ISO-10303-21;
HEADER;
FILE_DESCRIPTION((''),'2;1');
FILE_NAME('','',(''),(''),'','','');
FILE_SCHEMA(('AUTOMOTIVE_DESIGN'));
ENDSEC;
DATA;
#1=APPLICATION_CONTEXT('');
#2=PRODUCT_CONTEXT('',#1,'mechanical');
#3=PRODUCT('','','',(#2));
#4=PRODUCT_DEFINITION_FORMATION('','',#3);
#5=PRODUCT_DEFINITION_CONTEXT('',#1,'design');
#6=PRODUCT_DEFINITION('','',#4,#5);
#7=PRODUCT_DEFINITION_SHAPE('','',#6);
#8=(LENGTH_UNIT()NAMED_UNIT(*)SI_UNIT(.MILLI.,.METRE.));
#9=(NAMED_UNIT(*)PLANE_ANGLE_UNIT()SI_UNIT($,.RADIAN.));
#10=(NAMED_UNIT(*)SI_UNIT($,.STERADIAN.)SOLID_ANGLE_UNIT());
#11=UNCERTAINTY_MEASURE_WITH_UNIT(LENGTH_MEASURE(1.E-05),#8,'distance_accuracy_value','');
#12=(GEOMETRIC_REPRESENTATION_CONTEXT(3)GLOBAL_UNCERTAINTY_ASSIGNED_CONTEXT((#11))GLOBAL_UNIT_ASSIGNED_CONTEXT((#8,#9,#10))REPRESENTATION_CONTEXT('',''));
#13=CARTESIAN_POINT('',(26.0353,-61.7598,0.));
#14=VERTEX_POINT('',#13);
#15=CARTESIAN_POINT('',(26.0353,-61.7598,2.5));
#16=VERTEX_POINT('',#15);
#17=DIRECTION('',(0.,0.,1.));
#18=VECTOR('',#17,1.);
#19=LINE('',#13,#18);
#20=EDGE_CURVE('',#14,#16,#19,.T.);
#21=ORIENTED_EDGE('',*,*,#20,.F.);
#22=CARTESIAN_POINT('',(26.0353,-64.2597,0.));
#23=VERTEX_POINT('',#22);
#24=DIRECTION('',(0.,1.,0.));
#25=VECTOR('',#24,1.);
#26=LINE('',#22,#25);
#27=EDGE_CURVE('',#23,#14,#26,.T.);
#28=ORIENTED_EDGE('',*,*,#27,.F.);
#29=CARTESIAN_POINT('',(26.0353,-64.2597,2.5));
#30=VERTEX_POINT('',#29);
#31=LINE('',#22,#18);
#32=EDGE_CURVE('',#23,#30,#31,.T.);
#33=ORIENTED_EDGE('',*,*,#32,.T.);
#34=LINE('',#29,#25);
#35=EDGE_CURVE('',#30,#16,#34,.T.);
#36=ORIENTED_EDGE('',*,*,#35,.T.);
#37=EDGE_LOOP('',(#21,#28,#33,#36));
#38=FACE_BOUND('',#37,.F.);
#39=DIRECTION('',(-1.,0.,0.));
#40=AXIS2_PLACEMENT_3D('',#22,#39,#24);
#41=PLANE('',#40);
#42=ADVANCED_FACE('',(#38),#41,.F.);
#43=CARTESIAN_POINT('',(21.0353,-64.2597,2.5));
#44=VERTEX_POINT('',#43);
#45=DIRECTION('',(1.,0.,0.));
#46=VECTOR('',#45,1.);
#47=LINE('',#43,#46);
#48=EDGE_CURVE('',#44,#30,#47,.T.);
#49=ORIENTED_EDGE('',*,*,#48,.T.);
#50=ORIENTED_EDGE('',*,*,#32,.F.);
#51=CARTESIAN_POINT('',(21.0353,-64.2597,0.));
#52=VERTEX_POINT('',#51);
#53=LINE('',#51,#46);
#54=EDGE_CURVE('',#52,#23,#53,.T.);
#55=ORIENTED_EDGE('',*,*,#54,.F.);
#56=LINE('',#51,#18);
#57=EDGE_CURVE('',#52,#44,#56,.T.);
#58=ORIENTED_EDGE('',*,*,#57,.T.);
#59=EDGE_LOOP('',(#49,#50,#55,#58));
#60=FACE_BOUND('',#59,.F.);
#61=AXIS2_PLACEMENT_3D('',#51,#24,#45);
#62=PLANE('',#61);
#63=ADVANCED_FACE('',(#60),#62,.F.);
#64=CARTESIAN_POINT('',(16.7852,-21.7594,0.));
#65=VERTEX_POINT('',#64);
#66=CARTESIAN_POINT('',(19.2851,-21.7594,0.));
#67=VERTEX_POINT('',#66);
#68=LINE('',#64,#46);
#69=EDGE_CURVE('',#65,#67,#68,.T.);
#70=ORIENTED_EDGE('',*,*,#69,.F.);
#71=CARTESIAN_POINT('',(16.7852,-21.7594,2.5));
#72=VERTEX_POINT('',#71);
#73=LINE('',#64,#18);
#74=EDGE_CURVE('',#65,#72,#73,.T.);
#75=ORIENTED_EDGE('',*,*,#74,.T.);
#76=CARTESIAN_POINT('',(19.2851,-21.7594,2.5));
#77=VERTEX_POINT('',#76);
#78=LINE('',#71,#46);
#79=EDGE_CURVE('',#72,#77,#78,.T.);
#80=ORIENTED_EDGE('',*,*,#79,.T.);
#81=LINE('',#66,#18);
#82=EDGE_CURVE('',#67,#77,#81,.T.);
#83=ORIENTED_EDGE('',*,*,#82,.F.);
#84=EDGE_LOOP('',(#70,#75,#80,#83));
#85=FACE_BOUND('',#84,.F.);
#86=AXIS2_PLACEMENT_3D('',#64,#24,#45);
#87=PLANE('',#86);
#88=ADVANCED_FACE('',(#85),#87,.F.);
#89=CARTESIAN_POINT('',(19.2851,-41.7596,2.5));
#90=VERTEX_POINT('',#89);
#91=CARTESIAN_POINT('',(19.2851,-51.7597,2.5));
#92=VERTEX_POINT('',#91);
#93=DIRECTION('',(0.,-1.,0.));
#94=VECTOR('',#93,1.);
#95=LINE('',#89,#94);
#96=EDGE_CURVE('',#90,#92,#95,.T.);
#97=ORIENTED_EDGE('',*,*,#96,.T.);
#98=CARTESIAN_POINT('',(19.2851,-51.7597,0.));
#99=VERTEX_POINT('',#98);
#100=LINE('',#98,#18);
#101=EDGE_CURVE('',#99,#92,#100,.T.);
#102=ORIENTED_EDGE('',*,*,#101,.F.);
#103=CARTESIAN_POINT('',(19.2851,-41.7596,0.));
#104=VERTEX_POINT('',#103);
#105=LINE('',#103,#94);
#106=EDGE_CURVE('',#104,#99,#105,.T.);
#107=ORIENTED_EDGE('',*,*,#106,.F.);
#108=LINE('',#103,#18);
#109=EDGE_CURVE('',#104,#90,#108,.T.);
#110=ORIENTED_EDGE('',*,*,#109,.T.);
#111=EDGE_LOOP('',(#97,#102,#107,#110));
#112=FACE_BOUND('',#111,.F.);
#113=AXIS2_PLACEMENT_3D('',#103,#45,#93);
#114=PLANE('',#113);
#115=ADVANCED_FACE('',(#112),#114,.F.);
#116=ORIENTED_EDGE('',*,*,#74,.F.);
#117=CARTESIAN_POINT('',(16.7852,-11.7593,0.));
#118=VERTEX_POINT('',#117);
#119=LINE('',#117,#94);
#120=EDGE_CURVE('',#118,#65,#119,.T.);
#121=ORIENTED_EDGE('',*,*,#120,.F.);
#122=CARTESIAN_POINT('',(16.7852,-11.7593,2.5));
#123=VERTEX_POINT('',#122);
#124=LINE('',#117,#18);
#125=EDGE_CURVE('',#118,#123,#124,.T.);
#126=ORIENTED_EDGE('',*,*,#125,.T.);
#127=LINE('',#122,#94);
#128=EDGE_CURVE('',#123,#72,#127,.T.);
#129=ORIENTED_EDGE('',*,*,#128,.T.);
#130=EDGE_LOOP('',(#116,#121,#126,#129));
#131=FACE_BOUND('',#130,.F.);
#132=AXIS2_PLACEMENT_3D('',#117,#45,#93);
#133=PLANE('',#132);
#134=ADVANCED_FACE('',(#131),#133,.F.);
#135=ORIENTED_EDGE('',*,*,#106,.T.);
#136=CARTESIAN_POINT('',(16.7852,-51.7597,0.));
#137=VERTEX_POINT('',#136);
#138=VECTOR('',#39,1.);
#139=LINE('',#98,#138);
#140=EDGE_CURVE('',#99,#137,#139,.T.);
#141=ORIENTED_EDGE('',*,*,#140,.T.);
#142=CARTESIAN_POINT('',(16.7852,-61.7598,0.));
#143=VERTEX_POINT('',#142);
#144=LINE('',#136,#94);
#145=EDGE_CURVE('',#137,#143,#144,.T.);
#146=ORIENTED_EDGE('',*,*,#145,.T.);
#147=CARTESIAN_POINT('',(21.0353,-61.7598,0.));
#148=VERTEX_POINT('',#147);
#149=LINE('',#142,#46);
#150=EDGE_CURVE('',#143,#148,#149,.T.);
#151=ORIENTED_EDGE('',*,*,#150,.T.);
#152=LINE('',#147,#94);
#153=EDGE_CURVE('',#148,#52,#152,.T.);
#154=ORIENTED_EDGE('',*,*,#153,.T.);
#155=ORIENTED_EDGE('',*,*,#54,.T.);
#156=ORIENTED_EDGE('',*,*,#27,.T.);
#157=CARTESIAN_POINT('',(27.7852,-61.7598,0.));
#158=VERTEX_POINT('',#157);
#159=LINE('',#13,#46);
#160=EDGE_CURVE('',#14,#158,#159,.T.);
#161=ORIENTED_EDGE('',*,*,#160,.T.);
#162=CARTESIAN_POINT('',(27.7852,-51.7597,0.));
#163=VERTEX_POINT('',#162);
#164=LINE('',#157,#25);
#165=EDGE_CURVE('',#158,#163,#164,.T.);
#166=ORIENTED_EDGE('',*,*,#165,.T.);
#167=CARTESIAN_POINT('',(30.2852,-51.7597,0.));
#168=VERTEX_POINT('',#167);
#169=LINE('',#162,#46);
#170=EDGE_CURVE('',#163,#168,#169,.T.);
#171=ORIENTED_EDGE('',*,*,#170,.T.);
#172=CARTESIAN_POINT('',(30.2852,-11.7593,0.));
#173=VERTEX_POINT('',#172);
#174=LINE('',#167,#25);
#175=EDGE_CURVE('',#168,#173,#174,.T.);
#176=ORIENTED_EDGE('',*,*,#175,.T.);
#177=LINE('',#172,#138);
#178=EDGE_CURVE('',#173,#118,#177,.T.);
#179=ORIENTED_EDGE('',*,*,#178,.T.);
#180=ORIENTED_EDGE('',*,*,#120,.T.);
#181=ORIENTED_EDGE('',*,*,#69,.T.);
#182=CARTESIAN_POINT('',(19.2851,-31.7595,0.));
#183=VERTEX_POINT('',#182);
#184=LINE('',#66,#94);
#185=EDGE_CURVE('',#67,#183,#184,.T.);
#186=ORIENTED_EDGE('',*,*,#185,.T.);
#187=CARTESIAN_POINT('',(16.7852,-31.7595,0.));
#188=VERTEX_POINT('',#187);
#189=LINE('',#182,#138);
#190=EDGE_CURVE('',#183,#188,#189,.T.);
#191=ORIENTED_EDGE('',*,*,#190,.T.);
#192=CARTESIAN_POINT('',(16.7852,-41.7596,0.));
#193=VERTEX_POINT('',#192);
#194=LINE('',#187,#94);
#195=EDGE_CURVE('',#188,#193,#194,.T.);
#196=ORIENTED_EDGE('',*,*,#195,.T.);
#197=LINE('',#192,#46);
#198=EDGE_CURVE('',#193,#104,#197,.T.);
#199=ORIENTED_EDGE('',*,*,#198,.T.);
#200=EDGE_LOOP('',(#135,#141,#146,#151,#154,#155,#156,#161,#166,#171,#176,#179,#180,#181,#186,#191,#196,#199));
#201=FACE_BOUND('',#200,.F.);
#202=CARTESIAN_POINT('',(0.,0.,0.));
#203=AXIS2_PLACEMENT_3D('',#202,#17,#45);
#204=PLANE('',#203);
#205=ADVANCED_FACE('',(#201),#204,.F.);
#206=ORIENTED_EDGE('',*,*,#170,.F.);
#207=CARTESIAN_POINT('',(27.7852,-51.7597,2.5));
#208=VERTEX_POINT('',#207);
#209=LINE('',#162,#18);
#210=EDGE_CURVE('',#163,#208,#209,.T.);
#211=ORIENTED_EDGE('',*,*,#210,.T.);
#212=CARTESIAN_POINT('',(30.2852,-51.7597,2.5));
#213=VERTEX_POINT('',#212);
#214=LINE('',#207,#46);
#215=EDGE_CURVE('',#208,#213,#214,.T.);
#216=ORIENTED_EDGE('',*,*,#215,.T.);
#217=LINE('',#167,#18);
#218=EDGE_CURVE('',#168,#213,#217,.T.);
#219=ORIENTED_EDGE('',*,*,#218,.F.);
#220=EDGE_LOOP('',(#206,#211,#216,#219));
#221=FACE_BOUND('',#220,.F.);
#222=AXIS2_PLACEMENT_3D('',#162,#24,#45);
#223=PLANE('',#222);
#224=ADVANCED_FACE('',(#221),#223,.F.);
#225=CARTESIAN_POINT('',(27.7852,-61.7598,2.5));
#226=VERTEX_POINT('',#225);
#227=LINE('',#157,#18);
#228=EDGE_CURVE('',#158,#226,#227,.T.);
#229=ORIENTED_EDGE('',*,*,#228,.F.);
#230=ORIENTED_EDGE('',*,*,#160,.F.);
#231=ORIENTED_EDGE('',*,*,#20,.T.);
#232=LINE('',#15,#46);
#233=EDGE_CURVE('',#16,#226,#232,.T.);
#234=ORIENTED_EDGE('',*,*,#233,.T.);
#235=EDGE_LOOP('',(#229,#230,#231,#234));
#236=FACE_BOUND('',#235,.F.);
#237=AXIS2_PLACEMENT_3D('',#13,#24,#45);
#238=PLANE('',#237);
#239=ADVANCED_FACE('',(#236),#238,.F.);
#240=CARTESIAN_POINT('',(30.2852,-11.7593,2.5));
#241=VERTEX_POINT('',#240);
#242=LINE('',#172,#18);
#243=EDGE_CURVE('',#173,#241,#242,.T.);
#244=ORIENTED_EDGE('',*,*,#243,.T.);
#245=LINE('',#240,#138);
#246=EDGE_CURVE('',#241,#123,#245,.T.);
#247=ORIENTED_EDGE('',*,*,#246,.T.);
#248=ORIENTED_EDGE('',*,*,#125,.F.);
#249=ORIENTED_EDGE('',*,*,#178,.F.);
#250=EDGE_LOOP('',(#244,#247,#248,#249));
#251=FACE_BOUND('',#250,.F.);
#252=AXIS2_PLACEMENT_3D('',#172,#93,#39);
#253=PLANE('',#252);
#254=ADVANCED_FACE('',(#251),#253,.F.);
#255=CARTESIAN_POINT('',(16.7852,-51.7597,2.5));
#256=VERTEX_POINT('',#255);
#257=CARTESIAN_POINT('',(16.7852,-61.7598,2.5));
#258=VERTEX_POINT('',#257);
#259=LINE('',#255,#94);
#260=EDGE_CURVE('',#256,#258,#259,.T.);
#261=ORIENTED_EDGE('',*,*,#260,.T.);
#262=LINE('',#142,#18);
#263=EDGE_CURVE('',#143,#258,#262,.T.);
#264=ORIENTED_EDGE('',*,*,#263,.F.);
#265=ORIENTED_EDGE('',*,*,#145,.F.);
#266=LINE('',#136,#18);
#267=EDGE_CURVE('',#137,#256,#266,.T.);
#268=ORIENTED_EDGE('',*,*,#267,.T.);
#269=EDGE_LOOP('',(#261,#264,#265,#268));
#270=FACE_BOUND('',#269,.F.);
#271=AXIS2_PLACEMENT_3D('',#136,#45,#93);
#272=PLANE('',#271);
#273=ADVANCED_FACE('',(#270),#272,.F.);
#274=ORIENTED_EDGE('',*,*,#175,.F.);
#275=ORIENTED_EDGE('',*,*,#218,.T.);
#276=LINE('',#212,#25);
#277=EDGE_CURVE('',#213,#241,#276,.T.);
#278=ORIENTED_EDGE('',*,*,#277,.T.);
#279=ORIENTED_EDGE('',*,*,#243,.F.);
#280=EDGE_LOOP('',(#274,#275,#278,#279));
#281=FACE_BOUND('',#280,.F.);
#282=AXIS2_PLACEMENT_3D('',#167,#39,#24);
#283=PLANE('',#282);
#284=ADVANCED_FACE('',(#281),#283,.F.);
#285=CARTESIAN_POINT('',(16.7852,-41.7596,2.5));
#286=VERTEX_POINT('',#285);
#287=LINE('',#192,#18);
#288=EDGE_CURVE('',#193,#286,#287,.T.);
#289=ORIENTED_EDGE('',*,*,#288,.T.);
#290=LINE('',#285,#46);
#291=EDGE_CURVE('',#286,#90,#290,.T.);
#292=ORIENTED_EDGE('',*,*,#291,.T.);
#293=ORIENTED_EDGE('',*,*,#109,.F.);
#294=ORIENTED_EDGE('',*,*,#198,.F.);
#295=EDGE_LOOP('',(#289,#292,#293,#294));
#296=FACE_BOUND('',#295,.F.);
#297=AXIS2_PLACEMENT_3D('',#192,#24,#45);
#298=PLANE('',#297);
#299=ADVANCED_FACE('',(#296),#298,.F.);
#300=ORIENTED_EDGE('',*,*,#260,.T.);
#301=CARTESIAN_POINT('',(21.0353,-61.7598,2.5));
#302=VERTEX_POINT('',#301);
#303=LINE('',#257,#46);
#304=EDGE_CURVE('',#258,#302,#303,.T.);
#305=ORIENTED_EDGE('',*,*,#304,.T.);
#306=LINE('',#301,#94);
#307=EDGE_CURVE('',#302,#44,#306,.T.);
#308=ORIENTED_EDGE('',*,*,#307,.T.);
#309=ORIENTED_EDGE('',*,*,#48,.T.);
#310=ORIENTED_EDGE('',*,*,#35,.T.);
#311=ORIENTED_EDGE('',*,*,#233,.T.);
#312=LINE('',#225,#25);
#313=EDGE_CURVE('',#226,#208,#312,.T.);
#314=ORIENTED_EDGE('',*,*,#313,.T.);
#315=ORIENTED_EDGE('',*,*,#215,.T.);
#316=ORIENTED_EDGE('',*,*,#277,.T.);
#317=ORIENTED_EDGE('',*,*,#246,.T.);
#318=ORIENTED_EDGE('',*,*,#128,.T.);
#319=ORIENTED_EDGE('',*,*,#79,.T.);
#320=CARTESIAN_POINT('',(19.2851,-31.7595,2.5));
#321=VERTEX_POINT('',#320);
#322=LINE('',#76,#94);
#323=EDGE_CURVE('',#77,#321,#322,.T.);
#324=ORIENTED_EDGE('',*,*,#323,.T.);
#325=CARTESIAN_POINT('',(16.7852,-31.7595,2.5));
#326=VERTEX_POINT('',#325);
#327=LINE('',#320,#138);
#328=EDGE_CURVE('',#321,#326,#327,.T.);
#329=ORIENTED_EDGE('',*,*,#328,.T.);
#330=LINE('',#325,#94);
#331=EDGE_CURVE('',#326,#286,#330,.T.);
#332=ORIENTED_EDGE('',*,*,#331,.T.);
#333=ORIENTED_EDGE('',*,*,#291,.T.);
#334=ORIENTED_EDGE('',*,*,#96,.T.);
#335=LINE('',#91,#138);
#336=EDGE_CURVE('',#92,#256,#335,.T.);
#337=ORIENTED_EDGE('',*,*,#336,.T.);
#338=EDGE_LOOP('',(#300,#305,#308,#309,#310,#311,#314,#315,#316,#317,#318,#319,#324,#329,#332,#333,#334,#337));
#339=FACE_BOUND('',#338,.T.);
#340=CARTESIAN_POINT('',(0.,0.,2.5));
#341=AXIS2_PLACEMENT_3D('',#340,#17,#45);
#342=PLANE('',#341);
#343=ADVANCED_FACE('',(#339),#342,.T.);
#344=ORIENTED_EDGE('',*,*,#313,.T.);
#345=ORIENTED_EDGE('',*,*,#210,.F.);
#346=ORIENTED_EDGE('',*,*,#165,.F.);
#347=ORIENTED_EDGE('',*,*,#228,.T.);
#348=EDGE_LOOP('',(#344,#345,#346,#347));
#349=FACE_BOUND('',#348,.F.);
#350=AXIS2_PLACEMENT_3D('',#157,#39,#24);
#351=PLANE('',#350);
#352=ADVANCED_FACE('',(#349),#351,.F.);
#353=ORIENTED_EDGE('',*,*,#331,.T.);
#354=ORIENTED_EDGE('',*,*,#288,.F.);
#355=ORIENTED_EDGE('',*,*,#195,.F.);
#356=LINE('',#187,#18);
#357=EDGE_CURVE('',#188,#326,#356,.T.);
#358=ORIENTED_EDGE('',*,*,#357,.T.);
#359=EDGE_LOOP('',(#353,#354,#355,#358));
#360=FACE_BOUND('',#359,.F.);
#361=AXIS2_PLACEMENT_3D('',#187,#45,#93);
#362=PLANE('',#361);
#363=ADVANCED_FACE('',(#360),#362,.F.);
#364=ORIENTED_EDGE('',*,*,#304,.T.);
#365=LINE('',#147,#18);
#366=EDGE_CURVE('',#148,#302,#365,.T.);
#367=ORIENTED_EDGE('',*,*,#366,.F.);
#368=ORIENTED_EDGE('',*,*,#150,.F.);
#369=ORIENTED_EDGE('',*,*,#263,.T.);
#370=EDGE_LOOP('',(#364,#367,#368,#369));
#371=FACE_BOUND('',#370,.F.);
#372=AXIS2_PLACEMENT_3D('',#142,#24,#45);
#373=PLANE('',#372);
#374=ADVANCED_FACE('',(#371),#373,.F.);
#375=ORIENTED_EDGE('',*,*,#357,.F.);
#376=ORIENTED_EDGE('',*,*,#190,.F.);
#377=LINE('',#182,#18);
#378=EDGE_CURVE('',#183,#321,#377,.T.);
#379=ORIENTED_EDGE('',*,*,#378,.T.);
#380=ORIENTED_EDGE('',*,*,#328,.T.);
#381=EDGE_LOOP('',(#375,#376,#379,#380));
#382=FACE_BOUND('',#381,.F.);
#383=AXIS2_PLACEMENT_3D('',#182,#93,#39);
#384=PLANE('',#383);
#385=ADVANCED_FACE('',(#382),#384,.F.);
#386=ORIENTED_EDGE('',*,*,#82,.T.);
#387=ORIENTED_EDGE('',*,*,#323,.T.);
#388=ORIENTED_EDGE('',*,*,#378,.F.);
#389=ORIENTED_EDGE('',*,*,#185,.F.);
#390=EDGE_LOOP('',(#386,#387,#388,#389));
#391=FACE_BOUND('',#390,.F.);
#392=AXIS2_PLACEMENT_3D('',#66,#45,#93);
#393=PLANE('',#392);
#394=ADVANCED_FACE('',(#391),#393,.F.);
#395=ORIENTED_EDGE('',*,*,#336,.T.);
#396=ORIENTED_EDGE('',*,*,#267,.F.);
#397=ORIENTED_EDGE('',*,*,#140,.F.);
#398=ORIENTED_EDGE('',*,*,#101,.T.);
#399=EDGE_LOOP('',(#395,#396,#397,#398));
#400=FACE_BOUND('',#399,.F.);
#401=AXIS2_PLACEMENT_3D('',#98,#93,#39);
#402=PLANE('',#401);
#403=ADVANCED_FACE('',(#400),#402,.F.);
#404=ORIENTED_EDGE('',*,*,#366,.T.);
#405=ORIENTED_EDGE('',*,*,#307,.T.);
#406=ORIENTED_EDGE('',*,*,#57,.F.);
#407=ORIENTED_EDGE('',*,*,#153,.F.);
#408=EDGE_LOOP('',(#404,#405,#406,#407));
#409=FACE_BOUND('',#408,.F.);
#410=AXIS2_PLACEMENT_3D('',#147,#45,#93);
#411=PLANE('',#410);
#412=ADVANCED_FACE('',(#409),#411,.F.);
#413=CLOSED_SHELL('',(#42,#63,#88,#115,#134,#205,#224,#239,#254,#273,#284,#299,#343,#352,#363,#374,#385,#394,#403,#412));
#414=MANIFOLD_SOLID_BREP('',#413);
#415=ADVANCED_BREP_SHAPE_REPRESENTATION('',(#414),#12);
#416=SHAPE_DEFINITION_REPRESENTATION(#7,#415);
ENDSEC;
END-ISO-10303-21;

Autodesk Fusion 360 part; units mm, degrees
sketch "スケッチ1" plane through (0, 0, 0) normal (0, 0, 1) x (1, 0, 0)
  line L0 (19.2851, -21.7594) -> (19.2851, -31.7595)
  line L1 (19.2851, -31.7595) -> (16.7852, -31.7595)
  line L2 (16.7852, -21.7594) -> (19.2851, -21.7594)
  line L3 (16.7852, -41.7596) -> (19.2851, -41.7596)
  line L4 (16.7852, -31.7595) -> (16.7852, -41.7596)
  line L5 (16.7852, -11.7593) -> (16.7852, -21.7594)
  line L6 (21.0353, -61.7598) -> (21.0353, -64.2597)
  line L7 (19.2851, -41.7596) -> (19.2851, -51.7597)
  line L8 (30.2852, -11.7593) -> (16.7852, -11.7593)
  line L9 (21.0353, -64.2597) -> (26.0353, -64.2597)
  line L10 (27.7852, -51.7597) -> (30.2852, -51.7597)
  line L11 (26.0353, -61.7598) -> (27.7852, -61.7598)
  line L12 (16.7852, -51.7597) -> (16.7852, -61.7598)
  line L13 (16.7852, -61.7598) -> (21.0353, -61.7598)
  line L14 (19.2851, -51.7597) -> (16.7852, -51.7597)
  line L15 (26.0353, -64.2597) -> (26.0353, -61.7598)
  line L16 (27.7852, -61.7598) -> (27.7852, -51.7597)
  line L17 (30.2852, -51.7597) -> (30.2852, -11.7593)
extrude "押し出し1" add sketch "スケッチ1" along normal blind 2.5
